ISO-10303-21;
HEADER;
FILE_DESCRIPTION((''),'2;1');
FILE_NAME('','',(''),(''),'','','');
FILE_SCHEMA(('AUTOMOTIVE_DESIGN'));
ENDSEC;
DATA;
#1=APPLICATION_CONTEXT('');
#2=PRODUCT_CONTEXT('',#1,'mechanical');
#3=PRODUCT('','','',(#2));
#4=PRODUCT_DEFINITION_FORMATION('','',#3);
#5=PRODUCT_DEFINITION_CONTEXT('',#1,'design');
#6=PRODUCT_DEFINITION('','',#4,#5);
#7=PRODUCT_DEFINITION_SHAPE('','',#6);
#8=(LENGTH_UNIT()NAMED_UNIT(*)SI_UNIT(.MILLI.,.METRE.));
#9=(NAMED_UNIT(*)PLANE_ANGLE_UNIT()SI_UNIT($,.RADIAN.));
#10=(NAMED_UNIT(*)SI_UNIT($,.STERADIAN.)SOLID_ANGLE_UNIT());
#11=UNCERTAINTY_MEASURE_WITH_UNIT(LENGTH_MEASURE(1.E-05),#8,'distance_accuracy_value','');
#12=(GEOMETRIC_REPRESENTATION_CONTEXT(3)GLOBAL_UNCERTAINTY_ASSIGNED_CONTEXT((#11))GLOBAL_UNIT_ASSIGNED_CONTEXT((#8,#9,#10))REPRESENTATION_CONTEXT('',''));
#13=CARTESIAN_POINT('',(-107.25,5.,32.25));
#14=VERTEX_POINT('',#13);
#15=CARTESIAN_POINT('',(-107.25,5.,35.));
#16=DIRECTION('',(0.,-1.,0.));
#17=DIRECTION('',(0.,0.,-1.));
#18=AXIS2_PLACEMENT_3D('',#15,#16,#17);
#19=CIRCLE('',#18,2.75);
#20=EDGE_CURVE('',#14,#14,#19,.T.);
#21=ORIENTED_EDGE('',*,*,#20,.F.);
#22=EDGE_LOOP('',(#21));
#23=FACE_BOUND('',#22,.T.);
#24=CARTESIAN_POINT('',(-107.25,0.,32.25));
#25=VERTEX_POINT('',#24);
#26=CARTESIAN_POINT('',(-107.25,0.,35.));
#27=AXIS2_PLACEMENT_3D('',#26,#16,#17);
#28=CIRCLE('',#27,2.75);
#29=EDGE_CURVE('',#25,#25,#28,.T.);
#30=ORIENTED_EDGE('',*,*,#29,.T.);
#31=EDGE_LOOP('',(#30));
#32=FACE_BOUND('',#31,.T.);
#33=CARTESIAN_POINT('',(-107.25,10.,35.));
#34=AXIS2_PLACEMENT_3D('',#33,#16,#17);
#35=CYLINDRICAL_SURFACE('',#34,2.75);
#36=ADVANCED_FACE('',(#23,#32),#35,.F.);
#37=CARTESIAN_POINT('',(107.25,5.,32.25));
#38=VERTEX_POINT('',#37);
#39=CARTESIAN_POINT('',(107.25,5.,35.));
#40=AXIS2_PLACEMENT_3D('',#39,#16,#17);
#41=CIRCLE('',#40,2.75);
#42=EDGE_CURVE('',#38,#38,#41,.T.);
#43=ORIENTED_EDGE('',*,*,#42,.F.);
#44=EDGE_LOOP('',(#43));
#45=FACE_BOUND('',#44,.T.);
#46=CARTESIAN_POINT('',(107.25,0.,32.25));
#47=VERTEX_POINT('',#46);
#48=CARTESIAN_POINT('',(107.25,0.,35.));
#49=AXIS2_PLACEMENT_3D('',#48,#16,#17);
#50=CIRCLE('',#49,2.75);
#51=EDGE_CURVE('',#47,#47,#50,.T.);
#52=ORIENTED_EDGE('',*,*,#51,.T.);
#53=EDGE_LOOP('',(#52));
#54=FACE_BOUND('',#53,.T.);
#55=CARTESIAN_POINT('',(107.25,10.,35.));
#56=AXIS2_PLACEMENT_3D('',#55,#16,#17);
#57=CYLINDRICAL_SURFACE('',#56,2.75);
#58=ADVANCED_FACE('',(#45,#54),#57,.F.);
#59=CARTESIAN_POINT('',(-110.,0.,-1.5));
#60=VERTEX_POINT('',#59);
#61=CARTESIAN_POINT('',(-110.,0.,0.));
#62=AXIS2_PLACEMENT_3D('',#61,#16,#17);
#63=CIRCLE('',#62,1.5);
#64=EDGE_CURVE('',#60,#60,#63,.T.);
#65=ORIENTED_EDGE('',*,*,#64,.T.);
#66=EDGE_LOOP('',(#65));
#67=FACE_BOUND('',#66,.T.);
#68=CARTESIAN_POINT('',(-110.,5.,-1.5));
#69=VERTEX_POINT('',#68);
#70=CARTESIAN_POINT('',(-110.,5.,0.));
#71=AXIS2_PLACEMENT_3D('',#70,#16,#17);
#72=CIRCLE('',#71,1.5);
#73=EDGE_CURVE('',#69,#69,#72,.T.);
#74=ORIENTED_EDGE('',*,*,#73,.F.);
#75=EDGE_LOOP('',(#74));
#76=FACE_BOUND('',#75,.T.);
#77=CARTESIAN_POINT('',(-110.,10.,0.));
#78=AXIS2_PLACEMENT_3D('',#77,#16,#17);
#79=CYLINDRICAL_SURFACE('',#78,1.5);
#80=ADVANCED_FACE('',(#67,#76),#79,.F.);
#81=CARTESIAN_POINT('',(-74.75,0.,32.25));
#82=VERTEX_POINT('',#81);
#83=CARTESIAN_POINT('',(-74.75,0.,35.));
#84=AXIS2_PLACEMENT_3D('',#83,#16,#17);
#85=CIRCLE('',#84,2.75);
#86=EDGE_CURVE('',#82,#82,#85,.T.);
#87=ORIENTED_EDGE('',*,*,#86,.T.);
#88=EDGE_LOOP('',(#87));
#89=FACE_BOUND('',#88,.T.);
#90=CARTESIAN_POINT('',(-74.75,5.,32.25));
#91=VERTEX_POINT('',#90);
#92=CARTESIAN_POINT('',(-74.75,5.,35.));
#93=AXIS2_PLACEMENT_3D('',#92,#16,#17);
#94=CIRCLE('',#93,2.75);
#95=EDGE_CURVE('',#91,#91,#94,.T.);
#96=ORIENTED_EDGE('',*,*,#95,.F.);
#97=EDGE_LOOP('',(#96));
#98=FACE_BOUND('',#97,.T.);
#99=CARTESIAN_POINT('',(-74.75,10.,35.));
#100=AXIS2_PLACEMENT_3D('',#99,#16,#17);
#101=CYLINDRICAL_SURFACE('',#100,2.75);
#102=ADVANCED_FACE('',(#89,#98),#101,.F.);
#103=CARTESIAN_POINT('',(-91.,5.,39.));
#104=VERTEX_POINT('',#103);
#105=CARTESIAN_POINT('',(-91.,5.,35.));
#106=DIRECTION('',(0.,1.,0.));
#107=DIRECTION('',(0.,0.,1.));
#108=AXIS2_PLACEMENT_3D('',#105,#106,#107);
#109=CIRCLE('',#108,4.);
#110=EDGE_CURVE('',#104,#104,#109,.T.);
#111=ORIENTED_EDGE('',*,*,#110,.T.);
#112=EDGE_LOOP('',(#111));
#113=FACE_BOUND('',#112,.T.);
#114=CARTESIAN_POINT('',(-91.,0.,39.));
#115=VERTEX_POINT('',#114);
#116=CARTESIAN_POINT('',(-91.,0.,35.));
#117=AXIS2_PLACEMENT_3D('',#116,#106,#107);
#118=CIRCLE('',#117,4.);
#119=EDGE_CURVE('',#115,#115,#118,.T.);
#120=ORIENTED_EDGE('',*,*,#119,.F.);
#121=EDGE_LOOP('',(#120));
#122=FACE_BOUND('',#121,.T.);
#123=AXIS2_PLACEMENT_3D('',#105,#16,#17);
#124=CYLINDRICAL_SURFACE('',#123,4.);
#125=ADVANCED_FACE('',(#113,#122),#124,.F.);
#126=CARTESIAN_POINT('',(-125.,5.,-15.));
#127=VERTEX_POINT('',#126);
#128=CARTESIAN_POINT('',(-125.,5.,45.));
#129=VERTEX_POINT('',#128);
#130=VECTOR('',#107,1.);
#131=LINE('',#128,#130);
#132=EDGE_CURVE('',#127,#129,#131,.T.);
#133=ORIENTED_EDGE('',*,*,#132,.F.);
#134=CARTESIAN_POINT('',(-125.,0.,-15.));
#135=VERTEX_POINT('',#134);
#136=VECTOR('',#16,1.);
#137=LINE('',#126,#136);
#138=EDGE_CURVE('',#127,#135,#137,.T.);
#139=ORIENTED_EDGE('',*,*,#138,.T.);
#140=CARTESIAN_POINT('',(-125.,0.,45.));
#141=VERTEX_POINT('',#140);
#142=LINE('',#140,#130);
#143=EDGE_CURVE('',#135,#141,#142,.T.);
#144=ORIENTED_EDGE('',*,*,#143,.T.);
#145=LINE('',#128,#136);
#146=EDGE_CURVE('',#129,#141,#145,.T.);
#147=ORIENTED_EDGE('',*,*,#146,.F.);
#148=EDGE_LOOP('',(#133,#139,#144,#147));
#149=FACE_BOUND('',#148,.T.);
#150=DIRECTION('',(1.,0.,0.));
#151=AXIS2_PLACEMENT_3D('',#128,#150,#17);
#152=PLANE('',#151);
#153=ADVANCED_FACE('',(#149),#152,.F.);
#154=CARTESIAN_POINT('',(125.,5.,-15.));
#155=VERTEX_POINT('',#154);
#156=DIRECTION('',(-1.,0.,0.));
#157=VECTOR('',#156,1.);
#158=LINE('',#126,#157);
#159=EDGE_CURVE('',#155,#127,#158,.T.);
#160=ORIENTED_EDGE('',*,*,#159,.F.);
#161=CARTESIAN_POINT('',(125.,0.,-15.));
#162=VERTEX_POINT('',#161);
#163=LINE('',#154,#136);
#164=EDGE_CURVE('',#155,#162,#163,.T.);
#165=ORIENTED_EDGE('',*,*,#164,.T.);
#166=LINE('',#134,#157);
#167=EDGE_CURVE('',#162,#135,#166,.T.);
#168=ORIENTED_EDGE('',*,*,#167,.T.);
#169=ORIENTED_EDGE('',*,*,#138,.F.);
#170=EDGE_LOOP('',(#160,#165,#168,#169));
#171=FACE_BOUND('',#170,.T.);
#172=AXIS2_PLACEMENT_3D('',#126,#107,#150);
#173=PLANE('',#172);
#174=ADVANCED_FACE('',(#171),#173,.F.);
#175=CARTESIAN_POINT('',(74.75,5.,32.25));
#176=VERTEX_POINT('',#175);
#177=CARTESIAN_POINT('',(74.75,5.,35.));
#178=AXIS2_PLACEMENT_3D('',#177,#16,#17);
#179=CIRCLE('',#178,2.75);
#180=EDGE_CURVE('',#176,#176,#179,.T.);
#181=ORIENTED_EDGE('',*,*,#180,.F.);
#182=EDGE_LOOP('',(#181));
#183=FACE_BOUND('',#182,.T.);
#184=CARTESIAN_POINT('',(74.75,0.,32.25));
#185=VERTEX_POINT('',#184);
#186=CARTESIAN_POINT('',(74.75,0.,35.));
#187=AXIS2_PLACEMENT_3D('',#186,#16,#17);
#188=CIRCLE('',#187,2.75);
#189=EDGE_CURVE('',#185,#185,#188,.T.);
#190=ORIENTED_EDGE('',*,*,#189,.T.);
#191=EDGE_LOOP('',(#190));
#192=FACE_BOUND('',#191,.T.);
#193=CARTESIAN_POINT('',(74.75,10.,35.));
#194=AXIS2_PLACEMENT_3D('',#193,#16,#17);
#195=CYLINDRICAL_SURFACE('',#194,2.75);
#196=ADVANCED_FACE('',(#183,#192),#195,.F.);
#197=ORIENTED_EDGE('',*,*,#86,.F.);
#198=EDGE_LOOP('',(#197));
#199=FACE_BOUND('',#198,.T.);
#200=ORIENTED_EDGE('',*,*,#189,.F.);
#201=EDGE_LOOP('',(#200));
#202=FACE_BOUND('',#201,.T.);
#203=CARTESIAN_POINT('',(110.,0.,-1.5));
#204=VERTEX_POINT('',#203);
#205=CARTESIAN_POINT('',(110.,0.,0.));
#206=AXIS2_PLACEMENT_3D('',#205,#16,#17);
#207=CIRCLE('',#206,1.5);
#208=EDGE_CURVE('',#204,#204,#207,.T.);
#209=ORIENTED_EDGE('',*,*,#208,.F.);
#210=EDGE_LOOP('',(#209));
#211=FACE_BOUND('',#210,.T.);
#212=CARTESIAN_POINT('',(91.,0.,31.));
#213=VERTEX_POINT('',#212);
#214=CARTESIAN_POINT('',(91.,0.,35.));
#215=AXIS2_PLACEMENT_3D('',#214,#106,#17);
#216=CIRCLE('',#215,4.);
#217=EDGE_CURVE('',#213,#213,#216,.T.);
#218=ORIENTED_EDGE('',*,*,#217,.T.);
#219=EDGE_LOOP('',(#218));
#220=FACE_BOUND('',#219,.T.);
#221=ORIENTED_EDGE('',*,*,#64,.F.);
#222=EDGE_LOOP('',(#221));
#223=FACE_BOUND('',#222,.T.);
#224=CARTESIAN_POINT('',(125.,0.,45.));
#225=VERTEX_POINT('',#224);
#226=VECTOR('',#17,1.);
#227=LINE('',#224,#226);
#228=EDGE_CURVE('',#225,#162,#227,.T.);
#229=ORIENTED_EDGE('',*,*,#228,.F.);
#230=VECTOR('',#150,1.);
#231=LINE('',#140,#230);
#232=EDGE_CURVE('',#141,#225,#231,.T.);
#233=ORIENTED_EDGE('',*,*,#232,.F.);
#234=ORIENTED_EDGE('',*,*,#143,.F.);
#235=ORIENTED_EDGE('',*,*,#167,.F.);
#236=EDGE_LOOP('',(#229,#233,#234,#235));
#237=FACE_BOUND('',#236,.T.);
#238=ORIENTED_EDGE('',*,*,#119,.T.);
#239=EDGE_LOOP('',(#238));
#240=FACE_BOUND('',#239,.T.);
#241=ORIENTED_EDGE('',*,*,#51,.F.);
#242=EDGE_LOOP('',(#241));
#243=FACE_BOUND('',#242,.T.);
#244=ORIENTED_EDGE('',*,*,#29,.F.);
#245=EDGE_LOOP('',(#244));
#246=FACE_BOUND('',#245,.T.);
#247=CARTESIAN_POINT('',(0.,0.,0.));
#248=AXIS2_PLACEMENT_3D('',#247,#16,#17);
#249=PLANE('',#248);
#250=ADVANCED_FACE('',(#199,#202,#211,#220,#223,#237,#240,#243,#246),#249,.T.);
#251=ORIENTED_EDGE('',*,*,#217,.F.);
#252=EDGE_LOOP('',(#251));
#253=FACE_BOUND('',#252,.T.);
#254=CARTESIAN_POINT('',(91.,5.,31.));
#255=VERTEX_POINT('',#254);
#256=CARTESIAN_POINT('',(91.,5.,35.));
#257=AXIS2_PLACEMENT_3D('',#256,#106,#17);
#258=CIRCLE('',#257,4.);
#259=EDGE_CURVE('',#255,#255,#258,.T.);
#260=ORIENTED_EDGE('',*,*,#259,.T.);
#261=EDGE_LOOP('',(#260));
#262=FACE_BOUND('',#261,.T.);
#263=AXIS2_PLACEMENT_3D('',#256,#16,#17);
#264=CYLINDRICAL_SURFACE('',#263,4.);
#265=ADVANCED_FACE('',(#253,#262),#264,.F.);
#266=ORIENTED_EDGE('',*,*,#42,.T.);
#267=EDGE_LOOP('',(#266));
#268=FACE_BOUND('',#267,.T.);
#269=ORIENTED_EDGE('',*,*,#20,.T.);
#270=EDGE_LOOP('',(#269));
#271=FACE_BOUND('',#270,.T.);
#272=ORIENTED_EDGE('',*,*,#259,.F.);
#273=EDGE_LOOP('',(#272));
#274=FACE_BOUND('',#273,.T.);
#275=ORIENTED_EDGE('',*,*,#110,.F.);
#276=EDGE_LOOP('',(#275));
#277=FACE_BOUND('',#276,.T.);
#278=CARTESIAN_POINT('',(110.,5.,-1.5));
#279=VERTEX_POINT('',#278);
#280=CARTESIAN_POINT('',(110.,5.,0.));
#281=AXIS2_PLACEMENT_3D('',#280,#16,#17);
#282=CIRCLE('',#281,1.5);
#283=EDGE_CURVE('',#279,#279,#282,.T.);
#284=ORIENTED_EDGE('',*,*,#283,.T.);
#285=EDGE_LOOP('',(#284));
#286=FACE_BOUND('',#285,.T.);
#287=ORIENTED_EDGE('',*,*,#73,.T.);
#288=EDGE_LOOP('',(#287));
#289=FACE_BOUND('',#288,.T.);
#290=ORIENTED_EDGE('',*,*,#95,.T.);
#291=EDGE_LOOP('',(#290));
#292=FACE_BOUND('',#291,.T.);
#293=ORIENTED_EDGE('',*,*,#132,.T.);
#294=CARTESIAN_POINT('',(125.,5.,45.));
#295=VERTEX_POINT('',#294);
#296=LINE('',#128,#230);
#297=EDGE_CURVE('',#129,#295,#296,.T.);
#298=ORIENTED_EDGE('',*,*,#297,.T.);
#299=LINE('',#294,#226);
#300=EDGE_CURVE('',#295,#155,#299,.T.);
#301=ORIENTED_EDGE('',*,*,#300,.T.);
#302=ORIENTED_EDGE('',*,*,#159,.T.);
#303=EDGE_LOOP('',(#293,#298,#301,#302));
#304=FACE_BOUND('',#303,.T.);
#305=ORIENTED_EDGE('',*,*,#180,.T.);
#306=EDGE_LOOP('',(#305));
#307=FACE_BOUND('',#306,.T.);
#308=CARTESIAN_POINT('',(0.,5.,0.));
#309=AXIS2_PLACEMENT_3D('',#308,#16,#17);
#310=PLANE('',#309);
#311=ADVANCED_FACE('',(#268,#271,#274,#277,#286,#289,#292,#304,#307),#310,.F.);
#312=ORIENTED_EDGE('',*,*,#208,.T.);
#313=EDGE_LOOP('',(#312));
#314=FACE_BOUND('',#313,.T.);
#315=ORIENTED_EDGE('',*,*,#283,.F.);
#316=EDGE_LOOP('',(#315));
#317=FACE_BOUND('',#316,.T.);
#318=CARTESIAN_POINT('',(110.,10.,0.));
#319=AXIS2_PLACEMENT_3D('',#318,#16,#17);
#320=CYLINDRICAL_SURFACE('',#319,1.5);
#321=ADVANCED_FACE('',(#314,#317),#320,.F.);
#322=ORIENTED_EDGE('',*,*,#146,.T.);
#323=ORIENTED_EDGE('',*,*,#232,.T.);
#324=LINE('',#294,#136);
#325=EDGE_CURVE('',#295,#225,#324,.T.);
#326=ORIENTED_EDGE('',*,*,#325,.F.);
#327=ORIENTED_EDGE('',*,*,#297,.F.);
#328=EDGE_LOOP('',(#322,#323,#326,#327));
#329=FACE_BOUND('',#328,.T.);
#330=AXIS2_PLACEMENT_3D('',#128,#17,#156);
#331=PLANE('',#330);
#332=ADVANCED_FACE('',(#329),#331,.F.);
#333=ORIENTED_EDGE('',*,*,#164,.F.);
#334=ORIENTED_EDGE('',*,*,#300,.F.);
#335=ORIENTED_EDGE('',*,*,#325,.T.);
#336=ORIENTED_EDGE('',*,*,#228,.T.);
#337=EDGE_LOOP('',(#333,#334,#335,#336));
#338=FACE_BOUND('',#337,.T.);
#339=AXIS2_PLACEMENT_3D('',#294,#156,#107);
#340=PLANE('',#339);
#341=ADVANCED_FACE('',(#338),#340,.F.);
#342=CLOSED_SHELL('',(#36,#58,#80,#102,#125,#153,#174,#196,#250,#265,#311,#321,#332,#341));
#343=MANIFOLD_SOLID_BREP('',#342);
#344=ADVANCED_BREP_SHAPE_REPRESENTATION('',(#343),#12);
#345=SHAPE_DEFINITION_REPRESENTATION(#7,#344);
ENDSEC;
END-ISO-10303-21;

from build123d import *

# Parameters (mm, degrees)
SKETCH1_W           = 250
SKETCH1_H           = 60
SKETCH1_R           = 4
BOSS_EXTRUDE1_DEPTH = 5
SKETCH2_R           = 1.5
SKETCH2_R_2         = 2.75
CUT_EXTRUDE1_DEPTH  = 10


with BuildPart() as part:
    # Sketch1 → Boss-Extrude1 (new body)
    with BuildSketch(Plane(origin=(0, 0, 0), x_dir=(1, 0, 0), z_dir=(0, 1, 0))):
        with Locations((0, -15)):
            Rectangle(SKETCH1_W, SKETCH1_H)
        with Locations(Location((-91, -35, 0), (0, 0, 270))):
            Circle(SKETCH1_R, mode=Mode.SUBTRACT)
        with Locations(Location((91, -35, 0), (0, 0, 90))):
            Circle(SKETCH1_R, mode=Mode.SUBTRACT)
    extrude(amount=BOSS_EXTRUDE1_DEPTH)

    # Sketch2 → Cut-Extrude1 (cut)
    with BuildSketch(Plane.XZ):
        with Locations(Location((110, 0, 0), (0, 0, 270))):
            Circle(SKETCH2_R)
        with Locations(Location((74.75, 35, 0), (0, 0, 270))):
            Circle(SKETCH2_R_2)
        with Locations(Location((107.25, 35, 0), (0, 0, 270))):
            Circle(SKETCH2_R_2)
        with Locations(Location((-110, 0, 0), (0, 0, 270))):
            Circle(SKETCH2_R)
        with Locations(Location((-74.75, 35, 0), (0, 0, 270))):
            Circle(SKETCH2_R_2)
        with Locations(Location((-107.25, 35, 0), (0, 0, 270))):
            Circle(SKETCH2_R_2)
    extrude(amount=-CUT_EXTRUDE1_DEPTH, mode=Mode.SUBTRACT)


solid = part.part
